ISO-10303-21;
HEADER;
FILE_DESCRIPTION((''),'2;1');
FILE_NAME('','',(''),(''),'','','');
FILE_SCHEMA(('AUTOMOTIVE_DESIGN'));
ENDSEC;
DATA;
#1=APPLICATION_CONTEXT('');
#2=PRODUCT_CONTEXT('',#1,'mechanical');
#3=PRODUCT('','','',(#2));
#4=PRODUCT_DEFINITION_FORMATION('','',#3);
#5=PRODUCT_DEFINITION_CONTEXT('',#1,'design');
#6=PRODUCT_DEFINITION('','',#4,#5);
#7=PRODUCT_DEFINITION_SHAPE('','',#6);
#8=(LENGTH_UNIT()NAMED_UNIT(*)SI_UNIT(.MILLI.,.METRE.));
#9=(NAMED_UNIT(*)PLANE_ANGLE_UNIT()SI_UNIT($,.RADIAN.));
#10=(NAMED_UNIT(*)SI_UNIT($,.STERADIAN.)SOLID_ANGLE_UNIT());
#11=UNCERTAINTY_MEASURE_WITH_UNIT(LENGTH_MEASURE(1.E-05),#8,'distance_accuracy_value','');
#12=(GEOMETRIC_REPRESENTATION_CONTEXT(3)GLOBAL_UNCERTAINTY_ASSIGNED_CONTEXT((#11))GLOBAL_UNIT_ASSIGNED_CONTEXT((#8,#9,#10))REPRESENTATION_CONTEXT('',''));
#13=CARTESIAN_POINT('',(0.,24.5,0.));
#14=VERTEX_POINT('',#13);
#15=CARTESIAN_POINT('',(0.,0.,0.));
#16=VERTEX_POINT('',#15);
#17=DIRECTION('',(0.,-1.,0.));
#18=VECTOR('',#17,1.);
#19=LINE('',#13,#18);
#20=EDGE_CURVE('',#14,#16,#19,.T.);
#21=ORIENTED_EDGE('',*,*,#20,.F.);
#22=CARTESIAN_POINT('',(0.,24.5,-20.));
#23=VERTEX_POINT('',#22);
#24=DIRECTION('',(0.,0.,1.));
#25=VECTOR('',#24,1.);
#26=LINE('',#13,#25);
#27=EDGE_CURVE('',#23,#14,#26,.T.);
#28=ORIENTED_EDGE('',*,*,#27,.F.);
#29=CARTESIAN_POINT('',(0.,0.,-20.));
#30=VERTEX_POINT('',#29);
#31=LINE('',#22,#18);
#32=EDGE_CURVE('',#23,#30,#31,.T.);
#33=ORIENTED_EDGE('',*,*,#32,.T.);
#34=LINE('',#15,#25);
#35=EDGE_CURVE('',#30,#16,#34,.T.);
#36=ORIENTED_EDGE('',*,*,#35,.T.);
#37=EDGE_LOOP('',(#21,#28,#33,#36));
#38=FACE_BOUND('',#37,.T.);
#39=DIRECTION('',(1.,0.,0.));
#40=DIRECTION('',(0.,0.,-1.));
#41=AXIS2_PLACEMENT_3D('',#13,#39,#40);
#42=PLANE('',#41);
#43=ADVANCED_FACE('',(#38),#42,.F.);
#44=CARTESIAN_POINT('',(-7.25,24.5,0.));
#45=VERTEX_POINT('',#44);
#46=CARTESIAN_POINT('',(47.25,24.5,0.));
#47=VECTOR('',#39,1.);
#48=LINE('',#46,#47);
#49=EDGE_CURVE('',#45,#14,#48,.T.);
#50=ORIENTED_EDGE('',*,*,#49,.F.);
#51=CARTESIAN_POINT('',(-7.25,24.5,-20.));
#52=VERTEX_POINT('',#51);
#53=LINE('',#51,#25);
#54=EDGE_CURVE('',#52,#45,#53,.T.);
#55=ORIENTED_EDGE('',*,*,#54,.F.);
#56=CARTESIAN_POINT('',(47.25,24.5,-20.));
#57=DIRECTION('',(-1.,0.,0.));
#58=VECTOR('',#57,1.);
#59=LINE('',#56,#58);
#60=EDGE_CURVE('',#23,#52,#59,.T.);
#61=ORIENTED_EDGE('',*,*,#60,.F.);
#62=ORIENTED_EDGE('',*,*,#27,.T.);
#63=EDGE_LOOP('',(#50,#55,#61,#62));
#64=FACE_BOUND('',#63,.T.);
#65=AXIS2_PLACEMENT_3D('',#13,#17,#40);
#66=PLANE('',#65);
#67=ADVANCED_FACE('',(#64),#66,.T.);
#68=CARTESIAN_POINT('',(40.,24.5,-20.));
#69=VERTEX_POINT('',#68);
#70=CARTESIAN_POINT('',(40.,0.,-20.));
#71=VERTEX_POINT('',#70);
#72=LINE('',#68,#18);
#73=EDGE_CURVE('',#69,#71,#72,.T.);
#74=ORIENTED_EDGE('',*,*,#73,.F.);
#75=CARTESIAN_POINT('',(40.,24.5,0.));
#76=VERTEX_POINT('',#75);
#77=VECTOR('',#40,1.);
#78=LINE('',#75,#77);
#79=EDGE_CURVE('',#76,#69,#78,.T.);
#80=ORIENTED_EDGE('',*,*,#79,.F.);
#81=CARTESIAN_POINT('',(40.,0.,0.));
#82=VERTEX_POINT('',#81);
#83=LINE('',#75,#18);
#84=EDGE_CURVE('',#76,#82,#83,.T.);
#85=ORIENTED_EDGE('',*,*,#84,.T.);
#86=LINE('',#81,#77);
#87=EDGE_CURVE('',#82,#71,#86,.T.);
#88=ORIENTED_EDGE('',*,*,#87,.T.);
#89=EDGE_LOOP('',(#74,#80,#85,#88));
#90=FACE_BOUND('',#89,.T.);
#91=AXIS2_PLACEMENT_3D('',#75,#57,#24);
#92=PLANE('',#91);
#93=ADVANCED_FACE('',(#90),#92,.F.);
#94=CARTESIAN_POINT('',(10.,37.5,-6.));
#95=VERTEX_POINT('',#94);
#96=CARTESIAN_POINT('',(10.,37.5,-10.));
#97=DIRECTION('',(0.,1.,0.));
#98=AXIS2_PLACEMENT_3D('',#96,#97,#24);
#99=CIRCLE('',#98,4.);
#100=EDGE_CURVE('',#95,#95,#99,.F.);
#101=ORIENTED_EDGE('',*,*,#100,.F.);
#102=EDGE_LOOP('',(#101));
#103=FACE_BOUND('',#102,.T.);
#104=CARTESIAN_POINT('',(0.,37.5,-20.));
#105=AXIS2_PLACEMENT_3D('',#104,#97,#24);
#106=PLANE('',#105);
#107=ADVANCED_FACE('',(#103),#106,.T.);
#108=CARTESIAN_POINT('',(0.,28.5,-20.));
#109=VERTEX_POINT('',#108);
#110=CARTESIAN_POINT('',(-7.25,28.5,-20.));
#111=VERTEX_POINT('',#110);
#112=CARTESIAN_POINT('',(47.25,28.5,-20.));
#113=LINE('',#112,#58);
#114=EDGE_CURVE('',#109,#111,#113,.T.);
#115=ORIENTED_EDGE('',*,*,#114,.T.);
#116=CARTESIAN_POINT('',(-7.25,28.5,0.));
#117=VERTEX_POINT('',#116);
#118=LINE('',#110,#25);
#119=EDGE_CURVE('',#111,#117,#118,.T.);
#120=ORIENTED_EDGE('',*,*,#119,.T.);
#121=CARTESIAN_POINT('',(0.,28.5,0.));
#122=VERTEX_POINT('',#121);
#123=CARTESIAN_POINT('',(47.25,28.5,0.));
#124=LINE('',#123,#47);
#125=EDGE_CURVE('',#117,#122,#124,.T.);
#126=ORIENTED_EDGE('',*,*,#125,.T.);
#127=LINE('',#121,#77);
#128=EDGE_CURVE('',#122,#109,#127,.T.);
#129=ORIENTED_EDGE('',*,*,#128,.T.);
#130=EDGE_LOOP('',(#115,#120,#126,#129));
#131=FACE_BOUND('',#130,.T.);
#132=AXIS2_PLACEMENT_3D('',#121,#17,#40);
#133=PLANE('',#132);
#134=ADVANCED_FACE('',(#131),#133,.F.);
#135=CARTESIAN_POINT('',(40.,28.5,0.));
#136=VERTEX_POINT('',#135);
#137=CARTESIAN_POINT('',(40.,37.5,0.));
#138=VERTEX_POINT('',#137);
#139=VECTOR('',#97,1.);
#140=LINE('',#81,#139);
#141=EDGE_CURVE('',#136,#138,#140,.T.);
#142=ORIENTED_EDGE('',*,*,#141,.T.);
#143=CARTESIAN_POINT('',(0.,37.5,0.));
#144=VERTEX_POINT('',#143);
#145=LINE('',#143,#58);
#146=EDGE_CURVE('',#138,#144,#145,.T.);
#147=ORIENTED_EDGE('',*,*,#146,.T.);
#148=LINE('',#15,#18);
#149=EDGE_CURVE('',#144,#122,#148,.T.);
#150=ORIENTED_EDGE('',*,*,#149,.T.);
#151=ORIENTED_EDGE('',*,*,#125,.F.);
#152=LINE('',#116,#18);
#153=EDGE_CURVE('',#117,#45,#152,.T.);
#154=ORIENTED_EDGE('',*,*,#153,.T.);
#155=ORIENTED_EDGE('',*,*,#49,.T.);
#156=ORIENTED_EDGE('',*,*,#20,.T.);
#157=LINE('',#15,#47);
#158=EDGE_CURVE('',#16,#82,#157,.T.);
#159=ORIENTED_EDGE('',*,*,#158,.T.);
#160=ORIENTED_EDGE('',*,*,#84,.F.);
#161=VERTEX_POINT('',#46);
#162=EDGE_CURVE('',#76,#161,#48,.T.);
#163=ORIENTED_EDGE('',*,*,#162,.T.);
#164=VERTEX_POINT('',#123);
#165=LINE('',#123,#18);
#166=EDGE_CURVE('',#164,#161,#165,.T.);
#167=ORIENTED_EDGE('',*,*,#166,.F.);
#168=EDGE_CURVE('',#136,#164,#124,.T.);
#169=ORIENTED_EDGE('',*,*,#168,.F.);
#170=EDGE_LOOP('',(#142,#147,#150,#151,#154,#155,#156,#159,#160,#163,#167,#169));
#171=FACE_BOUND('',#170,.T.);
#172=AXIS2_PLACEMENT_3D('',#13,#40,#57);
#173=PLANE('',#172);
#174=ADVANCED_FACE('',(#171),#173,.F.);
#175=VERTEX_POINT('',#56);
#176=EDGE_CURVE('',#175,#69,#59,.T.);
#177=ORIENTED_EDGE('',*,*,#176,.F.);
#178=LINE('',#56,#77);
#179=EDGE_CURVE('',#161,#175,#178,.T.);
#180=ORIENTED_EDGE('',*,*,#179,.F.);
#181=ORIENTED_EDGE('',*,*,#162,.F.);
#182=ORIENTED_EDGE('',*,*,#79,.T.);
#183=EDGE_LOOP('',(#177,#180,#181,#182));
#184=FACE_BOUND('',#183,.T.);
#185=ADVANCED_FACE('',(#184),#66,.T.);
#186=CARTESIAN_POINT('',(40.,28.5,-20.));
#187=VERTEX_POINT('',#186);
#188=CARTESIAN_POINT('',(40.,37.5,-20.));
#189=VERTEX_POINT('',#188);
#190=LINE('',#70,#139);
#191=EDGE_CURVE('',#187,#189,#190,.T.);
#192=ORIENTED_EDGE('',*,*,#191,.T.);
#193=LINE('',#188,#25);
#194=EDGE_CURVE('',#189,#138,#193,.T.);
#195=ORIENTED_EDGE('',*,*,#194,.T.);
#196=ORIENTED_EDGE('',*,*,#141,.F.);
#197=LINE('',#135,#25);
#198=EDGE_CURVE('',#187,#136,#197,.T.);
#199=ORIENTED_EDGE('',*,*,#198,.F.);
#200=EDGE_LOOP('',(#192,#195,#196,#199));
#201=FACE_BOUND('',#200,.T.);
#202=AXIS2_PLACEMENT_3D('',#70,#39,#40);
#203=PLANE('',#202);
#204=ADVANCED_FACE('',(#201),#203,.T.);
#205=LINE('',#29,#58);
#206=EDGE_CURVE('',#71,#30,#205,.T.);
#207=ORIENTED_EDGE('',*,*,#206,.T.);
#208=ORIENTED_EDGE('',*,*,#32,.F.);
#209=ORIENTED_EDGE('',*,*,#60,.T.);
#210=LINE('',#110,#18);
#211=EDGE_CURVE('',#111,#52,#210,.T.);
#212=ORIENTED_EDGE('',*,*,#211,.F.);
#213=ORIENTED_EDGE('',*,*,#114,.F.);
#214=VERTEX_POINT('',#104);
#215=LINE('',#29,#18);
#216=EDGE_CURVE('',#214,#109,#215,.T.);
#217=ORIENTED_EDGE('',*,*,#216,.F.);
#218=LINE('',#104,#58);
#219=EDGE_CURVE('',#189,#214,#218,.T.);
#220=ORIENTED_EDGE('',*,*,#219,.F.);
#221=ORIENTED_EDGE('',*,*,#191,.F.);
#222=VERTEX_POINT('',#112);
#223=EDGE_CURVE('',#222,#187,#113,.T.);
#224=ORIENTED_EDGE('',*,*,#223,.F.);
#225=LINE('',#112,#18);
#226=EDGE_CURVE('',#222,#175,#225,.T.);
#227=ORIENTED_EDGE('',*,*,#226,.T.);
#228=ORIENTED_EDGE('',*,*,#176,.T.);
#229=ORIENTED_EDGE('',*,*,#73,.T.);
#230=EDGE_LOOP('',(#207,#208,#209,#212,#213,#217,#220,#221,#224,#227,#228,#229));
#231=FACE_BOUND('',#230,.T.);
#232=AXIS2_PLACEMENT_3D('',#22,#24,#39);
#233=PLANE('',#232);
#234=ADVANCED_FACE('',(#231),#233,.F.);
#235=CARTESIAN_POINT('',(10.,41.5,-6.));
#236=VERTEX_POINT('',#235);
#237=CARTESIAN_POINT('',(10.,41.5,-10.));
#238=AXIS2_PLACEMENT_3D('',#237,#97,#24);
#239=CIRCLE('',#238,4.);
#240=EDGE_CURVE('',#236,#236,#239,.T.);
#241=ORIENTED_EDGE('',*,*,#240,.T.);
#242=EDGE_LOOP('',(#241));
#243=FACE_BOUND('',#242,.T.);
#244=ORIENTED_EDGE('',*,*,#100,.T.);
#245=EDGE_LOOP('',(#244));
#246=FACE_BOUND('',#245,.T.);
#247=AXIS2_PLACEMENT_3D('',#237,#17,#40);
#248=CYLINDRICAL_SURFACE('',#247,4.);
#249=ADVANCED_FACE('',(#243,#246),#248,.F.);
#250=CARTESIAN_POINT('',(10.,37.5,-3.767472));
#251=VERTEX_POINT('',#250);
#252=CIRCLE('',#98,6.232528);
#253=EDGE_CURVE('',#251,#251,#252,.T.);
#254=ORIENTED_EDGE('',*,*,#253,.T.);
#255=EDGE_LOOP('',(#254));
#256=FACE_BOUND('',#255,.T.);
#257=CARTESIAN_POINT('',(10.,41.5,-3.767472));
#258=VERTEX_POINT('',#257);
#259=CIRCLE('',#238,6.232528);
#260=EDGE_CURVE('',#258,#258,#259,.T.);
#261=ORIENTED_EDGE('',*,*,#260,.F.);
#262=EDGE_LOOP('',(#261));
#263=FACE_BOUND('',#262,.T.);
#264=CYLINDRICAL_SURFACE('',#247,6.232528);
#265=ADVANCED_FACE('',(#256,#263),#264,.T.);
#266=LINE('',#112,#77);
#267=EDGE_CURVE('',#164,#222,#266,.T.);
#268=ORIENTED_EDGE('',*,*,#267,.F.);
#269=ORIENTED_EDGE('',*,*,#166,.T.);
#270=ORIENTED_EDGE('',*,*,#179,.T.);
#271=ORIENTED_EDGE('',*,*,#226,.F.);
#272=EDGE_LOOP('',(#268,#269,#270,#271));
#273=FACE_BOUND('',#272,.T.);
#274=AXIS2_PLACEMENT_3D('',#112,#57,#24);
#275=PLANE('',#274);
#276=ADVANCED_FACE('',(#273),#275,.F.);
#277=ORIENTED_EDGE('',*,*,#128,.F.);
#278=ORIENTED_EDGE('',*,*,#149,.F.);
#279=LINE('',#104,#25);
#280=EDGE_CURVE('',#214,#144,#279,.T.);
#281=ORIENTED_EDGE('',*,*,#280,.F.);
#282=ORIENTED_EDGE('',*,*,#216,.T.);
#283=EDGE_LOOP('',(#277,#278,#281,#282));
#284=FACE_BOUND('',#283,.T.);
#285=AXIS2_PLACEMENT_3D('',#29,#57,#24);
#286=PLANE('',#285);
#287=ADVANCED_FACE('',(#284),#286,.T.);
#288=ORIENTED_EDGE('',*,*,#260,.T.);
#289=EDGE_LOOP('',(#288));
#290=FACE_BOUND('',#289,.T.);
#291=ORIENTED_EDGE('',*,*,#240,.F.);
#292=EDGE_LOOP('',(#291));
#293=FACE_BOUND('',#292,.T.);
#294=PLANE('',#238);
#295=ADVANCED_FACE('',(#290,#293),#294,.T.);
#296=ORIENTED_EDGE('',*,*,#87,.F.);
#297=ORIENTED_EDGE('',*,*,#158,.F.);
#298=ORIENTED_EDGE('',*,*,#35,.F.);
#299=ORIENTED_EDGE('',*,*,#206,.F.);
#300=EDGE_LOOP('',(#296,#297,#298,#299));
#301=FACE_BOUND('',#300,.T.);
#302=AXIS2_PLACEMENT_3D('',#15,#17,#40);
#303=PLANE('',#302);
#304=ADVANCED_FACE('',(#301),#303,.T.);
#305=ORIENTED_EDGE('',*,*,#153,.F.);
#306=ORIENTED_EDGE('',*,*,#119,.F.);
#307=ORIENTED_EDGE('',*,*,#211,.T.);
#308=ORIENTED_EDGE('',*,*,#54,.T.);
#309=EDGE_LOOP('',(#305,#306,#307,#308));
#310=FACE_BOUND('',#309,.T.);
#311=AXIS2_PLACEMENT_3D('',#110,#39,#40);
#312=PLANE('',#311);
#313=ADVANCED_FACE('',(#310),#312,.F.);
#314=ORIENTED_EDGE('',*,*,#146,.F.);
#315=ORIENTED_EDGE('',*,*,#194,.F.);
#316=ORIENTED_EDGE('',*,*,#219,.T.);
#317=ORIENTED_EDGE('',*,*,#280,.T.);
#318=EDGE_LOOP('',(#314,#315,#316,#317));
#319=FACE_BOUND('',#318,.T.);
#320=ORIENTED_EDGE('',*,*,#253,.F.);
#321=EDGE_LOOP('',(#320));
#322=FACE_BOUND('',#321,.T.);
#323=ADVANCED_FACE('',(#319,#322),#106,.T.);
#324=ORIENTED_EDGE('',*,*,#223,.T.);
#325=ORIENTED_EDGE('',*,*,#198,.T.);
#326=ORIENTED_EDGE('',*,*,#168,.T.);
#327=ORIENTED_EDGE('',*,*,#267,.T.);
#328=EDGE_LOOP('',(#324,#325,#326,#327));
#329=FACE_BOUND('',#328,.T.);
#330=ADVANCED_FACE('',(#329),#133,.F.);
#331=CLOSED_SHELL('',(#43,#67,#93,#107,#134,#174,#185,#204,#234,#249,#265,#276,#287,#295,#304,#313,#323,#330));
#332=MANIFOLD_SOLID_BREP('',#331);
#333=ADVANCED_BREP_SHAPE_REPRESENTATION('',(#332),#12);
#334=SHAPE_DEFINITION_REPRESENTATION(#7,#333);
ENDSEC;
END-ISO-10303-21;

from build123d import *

# Parameters (mm, degrees)
SKETCH1_W           = 40
SKETCH1_H           = 20
BOSS_EXTRUDE1_DEPTH = 24.5
SKETCH2_W           = 54.5
SKETCH2_H           = 20
BOSS_EXTRUDE2_DEPTH = 4
SKETCH3_W           = 40
SKETCH3_H           = 37.5
BOSS_EXTRUDE3_DEPTH = 20
SKETCH8_R           = 6.232527985
SKETCH8_R_2         = 4
BOSS_EXTRUDE4_DEPTH = 4


with BuildPart() as part:
    # Sketch1 → Boss-Extrude1 (new body)
    with BuildSketch(Plane(origin=(0, 0, 0), x_dir=(1, 0, 0), z_dir=(0, 1, 0))):
        with Locations((20, 10)):
            Rectangle(SKETCH1_W, SKETCH1_H)
    extrude(amount=BOSS_EXTRUDE1_DEPTH)

    # Sketch2 → Boss-Extrude2 (add)
    with BuildSketch(Plane(origin=(0, 24.5, 0), x_dir=(1, 0, 0), z_dir=(0, 1, 0))):
        with Locations((20, 10)):
            Rectangle(SKETCH2_W, SKETCH2_H)
    extrude(amount=BOSS_EXTRUDE2_DEPTH)

    # Sketch3 → Boss-Extrude3 (add)
    with BuildSketch(Plane.XY):
        with Locations((20, 18.75)):
            Rectangle(SKETCH3_W, SKETCH3_H)
    extrude(amount=-BOSS_EXTRUDE3_DEPTH)

    # Sketch8 → Boss-Extrude4 (add)
    with BuildSketch(Plane(origin=(0, 37.5, 0), x_dir=(1, 0, 0), z_dir=(0, 1, 0))):
        with Locations(Location((10, 10, 0), (0, 0, 270))):
            Circle(SKETCH8_R)
        with Locations(Location((10, 10, 0), (0, 0, 270))):
            Circle(SKETCH8_R_2, mode=Mode.SUBTRACT)
    extrude(amount=BOSS_EXTRUDE4_DEPTH)


solid = part.part
